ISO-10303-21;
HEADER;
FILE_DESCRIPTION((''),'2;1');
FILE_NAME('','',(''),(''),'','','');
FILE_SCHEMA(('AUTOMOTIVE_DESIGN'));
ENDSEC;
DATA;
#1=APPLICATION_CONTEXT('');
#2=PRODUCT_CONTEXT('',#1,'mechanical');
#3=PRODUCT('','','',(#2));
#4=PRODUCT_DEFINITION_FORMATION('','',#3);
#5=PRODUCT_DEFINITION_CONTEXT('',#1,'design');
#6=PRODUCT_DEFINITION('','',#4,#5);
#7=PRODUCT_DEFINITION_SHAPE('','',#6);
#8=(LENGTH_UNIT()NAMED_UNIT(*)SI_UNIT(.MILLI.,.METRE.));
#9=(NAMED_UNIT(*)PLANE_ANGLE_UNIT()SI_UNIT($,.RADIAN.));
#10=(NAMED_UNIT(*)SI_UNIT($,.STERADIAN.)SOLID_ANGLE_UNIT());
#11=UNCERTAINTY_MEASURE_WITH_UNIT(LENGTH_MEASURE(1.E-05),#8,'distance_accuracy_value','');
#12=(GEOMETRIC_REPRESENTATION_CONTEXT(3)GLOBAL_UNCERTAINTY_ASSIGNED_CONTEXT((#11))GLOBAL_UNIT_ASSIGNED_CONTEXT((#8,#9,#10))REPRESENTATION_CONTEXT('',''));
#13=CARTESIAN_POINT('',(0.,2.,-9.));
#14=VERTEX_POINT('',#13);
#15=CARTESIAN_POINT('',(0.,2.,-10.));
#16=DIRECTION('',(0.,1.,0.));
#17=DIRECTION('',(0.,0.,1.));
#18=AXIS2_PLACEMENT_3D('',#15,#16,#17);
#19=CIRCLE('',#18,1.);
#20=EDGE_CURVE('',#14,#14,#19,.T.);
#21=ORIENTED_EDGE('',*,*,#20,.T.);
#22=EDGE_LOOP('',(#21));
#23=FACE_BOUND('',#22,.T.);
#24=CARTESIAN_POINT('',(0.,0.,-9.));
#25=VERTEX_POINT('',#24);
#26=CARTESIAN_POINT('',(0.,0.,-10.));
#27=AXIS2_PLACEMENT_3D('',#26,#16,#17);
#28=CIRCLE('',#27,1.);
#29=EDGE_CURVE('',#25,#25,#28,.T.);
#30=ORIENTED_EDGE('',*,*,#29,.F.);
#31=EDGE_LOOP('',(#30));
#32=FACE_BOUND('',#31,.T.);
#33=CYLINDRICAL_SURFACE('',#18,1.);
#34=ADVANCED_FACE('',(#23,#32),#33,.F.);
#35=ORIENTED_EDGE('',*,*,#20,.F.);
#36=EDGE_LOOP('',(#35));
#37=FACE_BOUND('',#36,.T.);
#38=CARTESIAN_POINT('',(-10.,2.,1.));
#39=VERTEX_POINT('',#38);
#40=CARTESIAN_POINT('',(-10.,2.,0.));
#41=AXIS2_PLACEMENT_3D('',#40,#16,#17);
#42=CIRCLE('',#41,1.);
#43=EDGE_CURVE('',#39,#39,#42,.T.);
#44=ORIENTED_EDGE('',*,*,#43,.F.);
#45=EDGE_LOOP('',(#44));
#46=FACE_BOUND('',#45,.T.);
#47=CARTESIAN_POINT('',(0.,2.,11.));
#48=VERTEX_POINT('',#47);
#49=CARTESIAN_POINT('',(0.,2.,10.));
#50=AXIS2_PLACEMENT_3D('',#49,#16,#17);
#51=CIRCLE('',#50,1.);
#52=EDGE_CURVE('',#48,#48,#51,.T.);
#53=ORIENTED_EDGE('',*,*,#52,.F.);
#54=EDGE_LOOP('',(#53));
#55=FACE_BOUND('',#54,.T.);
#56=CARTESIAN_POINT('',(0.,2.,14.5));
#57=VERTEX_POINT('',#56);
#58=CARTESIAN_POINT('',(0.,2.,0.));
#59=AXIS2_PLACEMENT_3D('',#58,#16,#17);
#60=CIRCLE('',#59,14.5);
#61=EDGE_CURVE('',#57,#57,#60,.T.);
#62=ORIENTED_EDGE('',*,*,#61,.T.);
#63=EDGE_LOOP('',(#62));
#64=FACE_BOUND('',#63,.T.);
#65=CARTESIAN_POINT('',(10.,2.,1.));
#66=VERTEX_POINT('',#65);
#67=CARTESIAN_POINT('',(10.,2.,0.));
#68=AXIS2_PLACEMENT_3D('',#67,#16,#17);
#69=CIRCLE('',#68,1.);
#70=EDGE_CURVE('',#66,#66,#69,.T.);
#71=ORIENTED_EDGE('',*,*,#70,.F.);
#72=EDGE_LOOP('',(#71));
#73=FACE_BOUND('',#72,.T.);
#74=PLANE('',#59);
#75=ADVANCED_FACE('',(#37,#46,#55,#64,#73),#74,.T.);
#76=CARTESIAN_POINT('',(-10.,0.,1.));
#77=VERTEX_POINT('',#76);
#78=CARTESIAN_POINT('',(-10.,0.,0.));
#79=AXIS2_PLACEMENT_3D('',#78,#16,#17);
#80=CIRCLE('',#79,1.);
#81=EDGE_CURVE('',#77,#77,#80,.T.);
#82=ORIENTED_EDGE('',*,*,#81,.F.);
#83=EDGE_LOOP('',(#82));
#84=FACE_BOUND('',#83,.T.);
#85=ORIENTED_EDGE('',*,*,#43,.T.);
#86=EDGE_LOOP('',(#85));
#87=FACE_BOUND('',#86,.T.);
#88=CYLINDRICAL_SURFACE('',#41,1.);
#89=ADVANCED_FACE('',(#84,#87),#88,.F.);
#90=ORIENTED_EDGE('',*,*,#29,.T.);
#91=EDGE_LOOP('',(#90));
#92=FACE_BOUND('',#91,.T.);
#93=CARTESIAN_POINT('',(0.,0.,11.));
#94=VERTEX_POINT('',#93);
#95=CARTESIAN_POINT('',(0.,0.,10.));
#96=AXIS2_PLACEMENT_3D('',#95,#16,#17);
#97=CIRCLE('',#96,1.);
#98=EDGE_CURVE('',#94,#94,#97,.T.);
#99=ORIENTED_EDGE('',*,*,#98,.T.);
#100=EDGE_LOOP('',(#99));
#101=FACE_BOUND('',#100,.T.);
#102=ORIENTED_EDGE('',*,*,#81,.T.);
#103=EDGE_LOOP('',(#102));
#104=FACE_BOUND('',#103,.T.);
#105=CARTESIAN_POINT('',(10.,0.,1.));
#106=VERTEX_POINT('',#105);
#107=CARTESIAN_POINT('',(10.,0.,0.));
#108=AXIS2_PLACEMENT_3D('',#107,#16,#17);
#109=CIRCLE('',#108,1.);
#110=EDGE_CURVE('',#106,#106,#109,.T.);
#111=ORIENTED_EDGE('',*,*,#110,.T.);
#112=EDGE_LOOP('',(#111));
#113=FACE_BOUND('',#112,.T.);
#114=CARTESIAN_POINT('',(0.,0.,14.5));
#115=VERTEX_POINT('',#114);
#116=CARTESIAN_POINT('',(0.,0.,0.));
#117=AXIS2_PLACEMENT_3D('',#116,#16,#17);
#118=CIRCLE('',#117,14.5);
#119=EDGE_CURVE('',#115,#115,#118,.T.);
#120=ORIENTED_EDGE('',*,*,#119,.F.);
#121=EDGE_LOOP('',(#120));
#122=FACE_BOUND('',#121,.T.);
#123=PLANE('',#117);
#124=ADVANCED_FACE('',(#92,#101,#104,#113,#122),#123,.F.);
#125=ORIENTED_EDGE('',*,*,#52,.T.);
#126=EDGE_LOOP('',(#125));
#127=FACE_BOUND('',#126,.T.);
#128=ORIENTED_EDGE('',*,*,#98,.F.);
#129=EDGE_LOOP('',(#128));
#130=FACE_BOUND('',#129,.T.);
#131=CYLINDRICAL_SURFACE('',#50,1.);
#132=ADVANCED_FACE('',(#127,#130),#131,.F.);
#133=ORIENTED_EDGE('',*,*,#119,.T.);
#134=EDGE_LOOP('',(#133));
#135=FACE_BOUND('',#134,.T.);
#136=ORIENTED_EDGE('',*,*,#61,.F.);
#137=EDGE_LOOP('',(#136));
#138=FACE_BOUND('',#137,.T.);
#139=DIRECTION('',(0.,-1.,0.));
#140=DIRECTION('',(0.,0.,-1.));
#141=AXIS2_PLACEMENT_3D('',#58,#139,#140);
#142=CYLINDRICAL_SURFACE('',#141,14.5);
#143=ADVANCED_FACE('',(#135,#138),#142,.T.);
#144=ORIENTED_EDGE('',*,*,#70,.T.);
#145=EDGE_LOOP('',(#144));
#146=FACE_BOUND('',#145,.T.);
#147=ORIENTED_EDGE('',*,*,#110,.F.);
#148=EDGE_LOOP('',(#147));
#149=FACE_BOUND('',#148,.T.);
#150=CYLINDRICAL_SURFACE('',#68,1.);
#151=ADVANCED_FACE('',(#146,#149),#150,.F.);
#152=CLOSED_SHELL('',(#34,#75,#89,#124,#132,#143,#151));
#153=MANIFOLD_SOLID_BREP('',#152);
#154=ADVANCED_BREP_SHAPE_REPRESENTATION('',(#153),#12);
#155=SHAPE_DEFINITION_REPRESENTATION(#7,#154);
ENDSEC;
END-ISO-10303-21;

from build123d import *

# Parameters (mm, degrees)
SKETCH1_R                 = 14.5
BOSS_EXTRUDE1_DEPTH       = 2
F_2_0MM_DOWEL_HOLE1_D     = 2
F_2_0MM_DOWEL_HOLE1_DEPTH = 42.93
F_2_0MM_DOWEL_HOLE1_TIP   = 0.600860619


with BuildPart() as part:
    # Sketch1 → Boss-Extrude1 (new body)
    with BuildSketch(Plane(origin=(0, 0, 0), x_dir=(1, 0, 0), z_dir=(0, 1, 0))):
        with Locations(Location((0, 0, 0), (0, 0, 270))):
            Circle(SKETCH1_R)
    extrude(amount=BOSS_EXTRUDE1_DEPTH)

    # Ø2.0mm Dowel Hole1
    with Locations(Plane(origin=(0, 2, 0), x_dir=(1, 0, 0), z_dir=(0, 1, 0))):
        with Locations((-10, 0), (0, 10), (10, 0), (0, -10)):
            Hole(F_2_0MM_DOWEL_HOLE1_D / 2, depth=F_2_0MM_DOWEL_HOLE1_DEPTH)
            with Locations((0, 0, -(F_2_0MM_DOWEL_HOLE1_DEPTH + F_2_0MM_DOWEL_HOLE1_TIP / 2))):  # 118° drill point
                Cone(0, F_2_0MM_DOWEL_HOLE1_D / 2, F_2_0MM_DOWEL_HOLE1_TIP, mode=Mode.SUBTRACT)


solid = part.part
